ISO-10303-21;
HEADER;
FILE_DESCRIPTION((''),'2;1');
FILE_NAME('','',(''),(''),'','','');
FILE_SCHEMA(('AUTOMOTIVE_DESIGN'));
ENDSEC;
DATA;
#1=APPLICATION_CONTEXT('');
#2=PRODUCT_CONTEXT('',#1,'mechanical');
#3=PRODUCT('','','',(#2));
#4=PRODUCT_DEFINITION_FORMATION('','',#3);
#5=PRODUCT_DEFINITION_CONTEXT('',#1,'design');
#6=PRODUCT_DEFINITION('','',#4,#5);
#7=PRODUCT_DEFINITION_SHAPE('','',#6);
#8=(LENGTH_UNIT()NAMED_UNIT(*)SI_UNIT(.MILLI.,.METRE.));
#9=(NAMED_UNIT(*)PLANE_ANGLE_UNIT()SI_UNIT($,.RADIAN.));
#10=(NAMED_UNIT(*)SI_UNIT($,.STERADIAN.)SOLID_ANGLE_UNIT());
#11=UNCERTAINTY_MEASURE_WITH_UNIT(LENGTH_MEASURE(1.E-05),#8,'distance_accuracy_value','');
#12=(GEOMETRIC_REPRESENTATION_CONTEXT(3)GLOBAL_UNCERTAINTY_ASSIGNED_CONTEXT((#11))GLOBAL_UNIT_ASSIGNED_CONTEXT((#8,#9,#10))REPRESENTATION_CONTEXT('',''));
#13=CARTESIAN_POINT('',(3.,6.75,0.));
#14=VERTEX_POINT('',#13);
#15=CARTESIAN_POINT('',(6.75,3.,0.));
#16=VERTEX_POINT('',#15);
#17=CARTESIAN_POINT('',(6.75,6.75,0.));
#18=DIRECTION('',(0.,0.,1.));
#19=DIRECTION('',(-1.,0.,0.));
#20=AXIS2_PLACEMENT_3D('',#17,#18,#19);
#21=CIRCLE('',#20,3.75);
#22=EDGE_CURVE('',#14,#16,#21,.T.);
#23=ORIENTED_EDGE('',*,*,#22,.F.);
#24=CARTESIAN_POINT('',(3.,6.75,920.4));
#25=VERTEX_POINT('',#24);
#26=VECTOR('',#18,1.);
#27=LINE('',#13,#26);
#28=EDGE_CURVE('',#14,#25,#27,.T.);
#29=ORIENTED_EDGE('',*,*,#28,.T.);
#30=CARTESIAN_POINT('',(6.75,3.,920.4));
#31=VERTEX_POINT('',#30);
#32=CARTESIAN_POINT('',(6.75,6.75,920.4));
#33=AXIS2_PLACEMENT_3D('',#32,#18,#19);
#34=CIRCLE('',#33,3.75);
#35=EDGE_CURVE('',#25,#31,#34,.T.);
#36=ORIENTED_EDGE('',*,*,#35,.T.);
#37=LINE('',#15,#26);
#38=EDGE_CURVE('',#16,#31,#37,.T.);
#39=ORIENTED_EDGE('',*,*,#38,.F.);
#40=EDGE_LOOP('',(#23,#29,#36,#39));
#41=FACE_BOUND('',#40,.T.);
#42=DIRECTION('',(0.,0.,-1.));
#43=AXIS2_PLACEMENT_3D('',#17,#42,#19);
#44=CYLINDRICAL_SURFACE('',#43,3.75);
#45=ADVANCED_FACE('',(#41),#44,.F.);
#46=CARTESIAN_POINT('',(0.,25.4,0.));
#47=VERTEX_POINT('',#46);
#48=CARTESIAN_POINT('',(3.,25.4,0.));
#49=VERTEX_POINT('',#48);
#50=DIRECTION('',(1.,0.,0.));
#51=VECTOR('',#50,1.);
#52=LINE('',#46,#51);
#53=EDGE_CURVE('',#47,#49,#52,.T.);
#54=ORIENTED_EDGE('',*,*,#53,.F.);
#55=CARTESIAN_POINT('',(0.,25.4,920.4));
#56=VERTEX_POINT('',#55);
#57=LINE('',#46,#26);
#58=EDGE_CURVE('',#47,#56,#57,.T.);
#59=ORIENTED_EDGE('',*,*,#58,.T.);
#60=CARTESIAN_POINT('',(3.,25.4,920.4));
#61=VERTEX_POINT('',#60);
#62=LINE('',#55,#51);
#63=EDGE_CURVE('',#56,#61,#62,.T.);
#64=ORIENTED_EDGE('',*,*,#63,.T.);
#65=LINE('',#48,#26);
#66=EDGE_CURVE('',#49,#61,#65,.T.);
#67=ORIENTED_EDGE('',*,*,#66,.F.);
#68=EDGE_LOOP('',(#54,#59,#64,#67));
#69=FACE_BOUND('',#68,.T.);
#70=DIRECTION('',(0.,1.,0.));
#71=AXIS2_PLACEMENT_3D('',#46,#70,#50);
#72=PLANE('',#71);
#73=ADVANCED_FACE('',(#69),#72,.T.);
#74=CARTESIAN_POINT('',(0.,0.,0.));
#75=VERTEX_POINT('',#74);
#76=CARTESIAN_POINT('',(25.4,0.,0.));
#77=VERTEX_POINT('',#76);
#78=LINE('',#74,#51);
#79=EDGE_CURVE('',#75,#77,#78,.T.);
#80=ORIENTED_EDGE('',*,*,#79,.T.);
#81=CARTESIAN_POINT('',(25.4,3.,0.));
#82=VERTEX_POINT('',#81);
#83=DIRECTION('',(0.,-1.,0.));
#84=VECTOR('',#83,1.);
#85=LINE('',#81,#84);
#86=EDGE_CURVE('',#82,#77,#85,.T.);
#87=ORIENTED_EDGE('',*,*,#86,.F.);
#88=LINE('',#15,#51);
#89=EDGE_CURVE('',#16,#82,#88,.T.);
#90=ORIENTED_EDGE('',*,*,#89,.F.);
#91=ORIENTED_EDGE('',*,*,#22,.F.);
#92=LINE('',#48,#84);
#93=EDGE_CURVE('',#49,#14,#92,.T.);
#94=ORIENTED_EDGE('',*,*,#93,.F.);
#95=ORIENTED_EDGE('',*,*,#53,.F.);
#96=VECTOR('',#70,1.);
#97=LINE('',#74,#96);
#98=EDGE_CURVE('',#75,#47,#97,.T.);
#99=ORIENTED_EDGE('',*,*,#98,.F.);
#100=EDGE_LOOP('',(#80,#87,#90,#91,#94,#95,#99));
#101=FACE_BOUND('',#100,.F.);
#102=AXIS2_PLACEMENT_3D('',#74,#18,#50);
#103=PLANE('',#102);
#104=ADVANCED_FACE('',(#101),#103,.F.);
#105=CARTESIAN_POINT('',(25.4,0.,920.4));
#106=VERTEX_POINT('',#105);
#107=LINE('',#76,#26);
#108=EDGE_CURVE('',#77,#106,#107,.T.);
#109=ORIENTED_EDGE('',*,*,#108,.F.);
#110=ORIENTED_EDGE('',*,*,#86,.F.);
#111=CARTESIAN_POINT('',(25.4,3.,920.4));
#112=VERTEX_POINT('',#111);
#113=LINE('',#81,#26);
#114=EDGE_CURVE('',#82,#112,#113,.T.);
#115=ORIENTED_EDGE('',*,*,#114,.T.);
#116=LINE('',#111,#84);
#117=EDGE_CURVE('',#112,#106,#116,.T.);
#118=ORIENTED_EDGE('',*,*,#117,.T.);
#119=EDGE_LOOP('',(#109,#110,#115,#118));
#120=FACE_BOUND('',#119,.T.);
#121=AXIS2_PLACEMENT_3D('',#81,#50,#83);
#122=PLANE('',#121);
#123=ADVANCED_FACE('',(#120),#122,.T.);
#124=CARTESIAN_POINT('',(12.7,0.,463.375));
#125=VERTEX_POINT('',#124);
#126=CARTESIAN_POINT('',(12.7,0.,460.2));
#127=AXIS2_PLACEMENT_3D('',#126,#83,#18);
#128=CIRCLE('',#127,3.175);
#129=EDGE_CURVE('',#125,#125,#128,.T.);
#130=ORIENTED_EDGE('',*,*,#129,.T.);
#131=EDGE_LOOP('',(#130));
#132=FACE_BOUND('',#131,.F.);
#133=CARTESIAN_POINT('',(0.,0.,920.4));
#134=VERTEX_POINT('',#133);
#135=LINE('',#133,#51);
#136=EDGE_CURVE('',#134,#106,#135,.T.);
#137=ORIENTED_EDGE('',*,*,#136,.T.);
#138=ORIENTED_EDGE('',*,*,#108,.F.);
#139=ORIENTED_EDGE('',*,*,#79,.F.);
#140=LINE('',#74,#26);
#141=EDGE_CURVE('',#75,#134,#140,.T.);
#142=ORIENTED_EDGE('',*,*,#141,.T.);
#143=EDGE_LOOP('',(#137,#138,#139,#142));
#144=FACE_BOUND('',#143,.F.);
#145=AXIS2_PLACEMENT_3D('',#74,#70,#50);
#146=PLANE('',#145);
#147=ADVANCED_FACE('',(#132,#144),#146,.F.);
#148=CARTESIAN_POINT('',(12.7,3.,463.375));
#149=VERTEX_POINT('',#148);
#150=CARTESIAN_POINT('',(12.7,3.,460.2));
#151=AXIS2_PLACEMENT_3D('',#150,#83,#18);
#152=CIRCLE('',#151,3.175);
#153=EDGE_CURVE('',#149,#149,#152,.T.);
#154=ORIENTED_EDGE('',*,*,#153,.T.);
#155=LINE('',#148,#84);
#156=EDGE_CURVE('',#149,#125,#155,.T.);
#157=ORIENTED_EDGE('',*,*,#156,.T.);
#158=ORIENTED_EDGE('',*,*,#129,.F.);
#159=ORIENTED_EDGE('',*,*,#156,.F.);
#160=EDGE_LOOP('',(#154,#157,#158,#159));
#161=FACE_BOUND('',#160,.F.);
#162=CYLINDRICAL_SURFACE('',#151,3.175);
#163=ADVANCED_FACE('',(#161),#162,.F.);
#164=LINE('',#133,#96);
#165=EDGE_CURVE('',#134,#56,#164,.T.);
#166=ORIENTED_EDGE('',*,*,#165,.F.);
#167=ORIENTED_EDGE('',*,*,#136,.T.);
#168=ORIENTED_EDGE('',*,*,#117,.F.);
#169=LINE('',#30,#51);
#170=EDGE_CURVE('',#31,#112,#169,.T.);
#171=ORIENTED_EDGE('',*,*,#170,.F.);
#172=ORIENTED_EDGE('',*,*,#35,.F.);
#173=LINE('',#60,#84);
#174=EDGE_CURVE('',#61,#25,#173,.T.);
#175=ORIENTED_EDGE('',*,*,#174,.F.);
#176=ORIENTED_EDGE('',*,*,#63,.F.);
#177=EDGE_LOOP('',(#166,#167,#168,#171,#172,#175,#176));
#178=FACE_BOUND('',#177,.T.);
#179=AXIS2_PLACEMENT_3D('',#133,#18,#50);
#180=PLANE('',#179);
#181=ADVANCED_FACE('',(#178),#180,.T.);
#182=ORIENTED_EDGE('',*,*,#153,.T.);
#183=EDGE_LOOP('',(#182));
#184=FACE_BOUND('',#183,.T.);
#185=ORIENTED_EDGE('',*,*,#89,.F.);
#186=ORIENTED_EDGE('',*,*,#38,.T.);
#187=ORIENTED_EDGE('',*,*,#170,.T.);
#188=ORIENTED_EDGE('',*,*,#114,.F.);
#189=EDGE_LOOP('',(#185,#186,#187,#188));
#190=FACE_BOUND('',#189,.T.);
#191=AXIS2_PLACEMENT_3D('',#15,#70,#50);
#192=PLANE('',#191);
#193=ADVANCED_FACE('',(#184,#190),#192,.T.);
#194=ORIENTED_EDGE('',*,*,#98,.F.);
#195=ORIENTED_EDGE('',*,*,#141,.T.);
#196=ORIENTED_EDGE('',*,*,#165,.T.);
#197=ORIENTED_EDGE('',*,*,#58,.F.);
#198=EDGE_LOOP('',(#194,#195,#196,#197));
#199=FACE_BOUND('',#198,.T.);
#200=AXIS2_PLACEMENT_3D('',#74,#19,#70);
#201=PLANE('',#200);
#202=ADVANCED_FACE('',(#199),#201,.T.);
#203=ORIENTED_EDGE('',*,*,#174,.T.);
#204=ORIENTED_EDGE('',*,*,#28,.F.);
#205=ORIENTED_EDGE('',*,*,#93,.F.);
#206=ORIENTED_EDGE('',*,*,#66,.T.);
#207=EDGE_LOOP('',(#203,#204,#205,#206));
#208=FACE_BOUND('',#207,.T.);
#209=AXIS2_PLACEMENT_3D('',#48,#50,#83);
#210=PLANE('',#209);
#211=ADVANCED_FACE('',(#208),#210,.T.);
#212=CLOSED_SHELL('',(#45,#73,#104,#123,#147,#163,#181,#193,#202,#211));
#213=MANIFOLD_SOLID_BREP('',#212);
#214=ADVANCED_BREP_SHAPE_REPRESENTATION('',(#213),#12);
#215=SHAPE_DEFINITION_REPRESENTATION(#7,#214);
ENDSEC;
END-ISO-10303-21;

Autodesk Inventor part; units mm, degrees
ref_plane "YZ Plane" through (0, 0, 0) normal (1, 0, 0) x (0, 1, 0)
ref_plane "XZ Plane" through (0, 0, 0) normal (0, 1, 0) x (-1, 0, 0)
ref_plane "XY Plane" through (0, 0, 0) normal (0, 0, 1) x (1, 0, 0)
sketch "Sketch1" plane through (0, 0, 0) normal (0, 0, 1) x (1, 0, 0)
  line L0 (0, 0) -> (0, 25.4)
  line L1 (0, 0) -> (25.4, 0)
  line L2 (3, 25.4) -> (3, 6.75)
  line L3 (6.75, 3) -> (25.4, 3)
  arc A0 (3, 6.75) -> (6.75, 3) centre (6.75, 6.75) ccw
  line L4 (0, 25.4) -> (3, 25.4)
  line L5 (25.4, 3) -> (25.4, 0)
  dimension "d0" = 25.4
  dimension "d1" = 25.4
  dimension "d2" = 3
  dimension "d3" = 3.75
extrude "Extrusion1" add sketch "Sketch1" along normal blind 920.4
sketch "Sketch3" plane through (6.75, 3, 0) normal (0, 1, 0) x (1, 0, 0)
  line L0 (0, 0) -> (0, -920.4) projected
  line L1 (18.65, 0) -> (18.65, -920.4) projected
  line L2 (18.65, -460.2) -> (0, -460.2) construction
  circle A0 centre (5.95, -460.2) radius 3.175
  point P0 (-6.75, 0)
  dimension "d10" = 6.35
  dimension "d11" = 12.7
hole "Hole1" at (12.7, 3, 460.2) direction (0, -1, 0) diameter 6.35 end through all
equation "\"d0\" = hubAngleWidth1"
equation "\"d1\" = hubAngleWidth2"
equation "\"d2\" = hubAngleThickness"
equation "\"d3\" = 1.25 * hubAngleThickness"
equation "\"d4\" = hubOuterDiam + 2 * hubAngleThickness"
equation "\"d11\" = hubCentralHoleOffset"
equation "\"hubAngleThickness\" = 3"
equation "\"hubAngleWidth1\" = 25.4"
equation "\"hubAngleWidth2\" = 25.4"
equation "\"hubOuterDiam\" = 914.4"
equation "\"hubInnerDiam\" = 457.2"
equation "\"hubRingThickness\" = 1.524"
equation "\"hubCentralHoleOffset\" = 12.7"
properties part number "hubRingJigOuter"
